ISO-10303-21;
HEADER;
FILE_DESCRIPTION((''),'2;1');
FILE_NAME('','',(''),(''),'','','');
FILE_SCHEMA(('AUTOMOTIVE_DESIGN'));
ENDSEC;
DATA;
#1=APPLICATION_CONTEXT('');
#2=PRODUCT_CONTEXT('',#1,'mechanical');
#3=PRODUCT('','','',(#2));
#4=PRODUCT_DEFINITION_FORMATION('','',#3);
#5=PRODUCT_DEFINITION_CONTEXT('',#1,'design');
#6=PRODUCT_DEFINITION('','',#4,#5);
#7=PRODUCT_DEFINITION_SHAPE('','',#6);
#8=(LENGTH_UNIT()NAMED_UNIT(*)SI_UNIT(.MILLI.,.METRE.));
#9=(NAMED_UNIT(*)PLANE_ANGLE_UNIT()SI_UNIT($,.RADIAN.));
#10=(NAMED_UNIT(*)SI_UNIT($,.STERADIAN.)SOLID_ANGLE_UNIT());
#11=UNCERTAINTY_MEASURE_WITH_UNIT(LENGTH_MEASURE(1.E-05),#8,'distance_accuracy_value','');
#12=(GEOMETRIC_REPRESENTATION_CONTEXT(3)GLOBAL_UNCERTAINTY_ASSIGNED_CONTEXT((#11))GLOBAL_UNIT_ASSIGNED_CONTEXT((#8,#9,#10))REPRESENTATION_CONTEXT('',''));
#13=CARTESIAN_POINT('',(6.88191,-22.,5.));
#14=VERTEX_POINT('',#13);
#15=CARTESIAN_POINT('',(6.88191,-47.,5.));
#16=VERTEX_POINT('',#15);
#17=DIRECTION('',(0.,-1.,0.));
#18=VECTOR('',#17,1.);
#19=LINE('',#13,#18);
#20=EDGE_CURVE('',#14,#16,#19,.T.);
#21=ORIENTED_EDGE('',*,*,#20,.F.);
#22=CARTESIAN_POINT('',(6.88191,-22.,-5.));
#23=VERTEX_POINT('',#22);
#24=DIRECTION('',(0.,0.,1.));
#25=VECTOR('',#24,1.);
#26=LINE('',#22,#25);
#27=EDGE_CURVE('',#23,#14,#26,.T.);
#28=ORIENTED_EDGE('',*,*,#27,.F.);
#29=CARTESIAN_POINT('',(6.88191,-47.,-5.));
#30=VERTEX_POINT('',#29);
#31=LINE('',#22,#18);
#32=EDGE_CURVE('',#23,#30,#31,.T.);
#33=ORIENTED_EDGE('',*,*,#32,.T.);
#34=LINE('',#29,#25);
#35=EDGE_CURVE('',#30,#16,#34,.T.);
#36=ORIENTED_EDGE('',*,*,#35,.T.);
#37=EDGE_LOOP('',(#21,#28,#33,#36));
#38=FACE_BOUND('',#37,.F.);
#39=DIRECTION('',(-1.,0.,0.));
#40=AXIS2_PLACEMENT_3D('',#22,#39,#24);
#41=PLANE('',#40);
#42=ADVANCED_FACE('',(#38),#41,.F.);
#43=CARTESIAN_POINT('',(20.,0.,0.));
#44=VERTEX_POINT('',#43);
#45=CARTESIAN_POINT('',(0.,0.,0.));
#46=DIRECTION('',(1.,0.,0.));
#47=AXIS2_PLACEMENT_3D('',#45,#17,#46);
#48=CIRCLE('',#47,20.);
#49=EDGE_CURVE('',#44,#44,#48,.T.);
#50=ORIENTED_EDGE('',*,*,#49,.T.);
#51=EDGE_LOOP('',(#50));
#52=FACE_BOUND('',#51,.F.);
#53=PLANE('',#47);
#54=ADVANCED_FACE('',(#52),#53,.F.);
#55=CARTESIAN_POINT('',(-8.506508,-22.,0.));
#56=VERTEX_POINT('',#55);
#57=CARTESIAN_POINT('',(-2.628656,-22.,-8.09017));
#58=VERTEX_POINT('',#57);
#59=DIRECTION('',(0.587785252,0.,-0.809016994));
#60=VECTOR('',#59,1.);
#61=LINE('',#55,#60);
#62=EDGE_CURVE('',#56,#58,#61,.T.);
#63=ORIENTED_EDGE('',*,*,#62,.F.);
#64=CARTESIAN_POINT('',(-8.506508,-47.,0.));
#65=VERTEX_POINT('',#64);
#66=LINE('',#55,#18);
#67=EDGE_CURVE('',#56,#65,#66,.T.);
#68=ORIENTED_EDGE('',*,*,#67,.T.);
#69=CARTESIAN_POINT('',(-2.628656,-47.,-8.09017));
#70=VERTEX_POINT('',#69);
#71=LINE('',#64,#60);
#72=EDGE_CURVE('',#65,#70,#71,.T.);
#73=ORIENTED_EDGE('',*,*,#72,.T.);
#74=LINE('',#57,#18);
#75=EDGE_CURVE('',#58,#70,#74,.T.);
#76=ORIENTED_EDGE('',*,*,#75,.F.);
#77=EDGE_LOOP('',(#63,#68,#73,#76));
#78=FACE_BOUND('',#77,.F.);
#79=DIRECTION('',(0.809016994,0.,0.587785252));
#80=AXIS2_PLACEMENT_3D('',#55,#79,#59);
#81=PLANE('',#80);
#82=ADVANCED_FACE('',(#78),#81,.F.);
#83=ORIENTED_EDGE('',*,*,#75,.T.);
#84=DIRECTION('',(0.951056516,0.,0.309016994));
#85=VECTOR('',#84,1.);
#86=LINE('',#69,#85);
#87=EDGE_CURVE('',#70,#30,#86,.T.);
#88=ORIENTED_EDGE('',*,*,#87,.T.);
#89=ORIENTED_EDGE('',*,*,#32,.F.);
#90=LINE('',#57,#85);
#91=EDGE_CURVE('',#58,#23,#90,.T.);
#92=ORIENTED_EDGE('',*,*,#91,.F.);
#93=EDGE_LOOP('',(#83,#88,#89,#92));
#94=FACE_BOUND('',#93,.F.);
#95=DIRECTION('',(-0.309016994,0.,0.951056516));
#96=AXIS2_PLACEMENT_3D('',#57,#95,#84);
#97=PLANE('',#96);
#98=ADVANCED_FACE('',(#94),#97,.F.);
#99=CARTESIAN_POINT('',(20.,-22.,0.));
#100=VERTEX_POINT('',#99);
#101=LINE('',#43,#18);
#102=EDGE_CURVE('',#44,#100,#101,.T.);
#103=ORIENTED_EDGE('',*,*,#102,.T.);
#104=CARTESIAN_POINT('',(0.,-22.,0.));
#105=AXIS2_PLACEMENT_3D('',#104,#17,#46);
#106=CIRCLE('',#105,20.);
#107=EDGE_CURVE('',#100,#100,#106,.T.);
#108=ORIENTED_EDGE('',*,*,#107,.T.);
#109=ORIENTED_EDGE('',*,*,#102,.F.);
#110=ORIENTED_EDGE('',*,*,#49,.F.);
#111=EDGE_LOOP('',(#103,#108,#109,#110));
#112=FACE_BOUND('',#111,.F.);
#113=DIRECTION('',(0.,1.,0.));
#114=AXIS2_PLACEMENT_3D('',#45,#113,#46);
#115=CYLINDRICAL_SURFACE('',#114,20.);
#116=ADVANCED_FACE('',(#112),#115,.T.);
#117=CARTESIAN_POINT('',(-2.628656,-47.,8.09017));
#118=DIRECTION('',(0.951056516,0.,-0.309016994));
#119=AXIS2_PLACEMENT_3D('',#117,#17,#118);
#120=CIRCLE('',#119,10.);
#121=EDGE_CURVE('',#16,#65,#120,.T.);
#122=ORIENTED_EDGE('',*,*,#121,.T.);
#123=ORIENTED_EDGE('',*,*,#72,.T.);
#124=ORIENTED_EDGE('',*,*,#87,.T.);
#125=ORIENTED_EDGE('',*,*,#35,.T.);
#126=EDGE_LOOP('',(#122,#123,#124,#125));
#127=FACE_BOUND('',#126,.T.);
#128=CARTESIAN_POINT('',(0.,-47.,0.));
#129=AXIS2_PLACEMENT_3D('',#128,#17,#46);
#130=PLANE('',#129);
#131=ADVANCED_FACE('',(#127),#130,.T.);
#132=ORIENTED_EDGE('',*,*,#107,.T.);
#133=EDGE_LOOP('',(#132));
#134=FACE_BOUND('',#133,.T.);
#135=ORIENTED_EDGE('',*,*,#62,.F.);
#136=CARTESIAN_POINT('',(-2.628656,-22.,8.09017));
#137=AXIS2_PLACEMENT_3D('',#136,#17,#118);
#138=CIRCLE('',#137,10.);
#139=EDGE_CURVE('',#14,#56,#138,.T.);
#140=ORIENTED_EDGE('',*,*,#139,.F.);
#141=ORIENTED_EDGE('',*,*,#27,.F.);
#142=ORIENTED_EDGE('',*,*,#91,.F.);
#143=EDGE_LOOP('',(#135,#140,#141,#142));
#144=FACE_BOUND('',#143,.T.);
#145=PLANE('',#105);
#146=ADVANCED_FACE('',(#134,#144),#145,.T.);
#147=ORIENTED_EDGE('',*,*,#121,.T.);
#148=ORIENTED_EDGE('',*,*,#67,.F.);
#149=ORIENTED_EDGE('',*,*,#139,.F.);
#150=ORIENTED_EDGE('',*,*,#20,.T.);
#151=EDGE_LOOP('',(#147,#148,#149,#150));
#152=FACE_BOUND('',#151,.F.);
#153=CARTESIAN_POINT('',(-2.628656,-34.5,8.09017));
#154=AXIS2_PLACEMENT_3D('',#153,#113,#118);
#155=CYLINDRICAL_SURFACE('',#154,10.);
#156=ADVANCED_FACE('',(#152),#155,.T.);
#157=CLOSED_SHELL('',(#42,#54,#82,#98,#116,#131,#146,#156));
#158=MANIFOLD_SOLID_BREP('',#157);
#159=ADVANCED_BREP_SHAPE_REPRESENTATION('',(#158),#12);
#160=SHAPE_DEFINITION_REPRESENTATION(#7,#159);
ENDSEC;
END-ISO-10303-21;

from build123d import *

# Parameters (mm, degrees)
F0_R     = 20
F1_DEPTH = 22
F3_DEPTH = 25
F4_W     = 10
F4_H     = 25


with BuildPart() as f1:
    # F0 (on Front) → F1 (new body)
    with BuildSketch(Plane.XZ):
        Circle(F0_R)
    extrude(amount=F1_DEPTH)

    # F2 (on face) → F3 (join)
    with BuildSketch(Plane.XZ.offset(22)):
        Polygon((6.8819096024, -5), (6.8819096024, 5), (-2.6286555606, 8.0901699437), (-8.5065080835, 0), (-2.6286555606, -8.0901699437), align=None)
    extrude(amount=F3_DEPTH)

    # F4 (on face) → F5 (revolve)
    with BuildSketch(Plane(origin=(2.1266270209, 0, 6.5450849719), x_dir=(0.9510565163, 0, -0.3090169944), z_dir=(0.3090169944, 0, 0.9510565163))):
        with Locations((0, -34.5)):
            Rectangle(F4_W, F4_H)
    revolve(axis=Axis((-2.6286555606, -34.5, 8.0901699437), (0, -1, 0)))


solid = f1.part
